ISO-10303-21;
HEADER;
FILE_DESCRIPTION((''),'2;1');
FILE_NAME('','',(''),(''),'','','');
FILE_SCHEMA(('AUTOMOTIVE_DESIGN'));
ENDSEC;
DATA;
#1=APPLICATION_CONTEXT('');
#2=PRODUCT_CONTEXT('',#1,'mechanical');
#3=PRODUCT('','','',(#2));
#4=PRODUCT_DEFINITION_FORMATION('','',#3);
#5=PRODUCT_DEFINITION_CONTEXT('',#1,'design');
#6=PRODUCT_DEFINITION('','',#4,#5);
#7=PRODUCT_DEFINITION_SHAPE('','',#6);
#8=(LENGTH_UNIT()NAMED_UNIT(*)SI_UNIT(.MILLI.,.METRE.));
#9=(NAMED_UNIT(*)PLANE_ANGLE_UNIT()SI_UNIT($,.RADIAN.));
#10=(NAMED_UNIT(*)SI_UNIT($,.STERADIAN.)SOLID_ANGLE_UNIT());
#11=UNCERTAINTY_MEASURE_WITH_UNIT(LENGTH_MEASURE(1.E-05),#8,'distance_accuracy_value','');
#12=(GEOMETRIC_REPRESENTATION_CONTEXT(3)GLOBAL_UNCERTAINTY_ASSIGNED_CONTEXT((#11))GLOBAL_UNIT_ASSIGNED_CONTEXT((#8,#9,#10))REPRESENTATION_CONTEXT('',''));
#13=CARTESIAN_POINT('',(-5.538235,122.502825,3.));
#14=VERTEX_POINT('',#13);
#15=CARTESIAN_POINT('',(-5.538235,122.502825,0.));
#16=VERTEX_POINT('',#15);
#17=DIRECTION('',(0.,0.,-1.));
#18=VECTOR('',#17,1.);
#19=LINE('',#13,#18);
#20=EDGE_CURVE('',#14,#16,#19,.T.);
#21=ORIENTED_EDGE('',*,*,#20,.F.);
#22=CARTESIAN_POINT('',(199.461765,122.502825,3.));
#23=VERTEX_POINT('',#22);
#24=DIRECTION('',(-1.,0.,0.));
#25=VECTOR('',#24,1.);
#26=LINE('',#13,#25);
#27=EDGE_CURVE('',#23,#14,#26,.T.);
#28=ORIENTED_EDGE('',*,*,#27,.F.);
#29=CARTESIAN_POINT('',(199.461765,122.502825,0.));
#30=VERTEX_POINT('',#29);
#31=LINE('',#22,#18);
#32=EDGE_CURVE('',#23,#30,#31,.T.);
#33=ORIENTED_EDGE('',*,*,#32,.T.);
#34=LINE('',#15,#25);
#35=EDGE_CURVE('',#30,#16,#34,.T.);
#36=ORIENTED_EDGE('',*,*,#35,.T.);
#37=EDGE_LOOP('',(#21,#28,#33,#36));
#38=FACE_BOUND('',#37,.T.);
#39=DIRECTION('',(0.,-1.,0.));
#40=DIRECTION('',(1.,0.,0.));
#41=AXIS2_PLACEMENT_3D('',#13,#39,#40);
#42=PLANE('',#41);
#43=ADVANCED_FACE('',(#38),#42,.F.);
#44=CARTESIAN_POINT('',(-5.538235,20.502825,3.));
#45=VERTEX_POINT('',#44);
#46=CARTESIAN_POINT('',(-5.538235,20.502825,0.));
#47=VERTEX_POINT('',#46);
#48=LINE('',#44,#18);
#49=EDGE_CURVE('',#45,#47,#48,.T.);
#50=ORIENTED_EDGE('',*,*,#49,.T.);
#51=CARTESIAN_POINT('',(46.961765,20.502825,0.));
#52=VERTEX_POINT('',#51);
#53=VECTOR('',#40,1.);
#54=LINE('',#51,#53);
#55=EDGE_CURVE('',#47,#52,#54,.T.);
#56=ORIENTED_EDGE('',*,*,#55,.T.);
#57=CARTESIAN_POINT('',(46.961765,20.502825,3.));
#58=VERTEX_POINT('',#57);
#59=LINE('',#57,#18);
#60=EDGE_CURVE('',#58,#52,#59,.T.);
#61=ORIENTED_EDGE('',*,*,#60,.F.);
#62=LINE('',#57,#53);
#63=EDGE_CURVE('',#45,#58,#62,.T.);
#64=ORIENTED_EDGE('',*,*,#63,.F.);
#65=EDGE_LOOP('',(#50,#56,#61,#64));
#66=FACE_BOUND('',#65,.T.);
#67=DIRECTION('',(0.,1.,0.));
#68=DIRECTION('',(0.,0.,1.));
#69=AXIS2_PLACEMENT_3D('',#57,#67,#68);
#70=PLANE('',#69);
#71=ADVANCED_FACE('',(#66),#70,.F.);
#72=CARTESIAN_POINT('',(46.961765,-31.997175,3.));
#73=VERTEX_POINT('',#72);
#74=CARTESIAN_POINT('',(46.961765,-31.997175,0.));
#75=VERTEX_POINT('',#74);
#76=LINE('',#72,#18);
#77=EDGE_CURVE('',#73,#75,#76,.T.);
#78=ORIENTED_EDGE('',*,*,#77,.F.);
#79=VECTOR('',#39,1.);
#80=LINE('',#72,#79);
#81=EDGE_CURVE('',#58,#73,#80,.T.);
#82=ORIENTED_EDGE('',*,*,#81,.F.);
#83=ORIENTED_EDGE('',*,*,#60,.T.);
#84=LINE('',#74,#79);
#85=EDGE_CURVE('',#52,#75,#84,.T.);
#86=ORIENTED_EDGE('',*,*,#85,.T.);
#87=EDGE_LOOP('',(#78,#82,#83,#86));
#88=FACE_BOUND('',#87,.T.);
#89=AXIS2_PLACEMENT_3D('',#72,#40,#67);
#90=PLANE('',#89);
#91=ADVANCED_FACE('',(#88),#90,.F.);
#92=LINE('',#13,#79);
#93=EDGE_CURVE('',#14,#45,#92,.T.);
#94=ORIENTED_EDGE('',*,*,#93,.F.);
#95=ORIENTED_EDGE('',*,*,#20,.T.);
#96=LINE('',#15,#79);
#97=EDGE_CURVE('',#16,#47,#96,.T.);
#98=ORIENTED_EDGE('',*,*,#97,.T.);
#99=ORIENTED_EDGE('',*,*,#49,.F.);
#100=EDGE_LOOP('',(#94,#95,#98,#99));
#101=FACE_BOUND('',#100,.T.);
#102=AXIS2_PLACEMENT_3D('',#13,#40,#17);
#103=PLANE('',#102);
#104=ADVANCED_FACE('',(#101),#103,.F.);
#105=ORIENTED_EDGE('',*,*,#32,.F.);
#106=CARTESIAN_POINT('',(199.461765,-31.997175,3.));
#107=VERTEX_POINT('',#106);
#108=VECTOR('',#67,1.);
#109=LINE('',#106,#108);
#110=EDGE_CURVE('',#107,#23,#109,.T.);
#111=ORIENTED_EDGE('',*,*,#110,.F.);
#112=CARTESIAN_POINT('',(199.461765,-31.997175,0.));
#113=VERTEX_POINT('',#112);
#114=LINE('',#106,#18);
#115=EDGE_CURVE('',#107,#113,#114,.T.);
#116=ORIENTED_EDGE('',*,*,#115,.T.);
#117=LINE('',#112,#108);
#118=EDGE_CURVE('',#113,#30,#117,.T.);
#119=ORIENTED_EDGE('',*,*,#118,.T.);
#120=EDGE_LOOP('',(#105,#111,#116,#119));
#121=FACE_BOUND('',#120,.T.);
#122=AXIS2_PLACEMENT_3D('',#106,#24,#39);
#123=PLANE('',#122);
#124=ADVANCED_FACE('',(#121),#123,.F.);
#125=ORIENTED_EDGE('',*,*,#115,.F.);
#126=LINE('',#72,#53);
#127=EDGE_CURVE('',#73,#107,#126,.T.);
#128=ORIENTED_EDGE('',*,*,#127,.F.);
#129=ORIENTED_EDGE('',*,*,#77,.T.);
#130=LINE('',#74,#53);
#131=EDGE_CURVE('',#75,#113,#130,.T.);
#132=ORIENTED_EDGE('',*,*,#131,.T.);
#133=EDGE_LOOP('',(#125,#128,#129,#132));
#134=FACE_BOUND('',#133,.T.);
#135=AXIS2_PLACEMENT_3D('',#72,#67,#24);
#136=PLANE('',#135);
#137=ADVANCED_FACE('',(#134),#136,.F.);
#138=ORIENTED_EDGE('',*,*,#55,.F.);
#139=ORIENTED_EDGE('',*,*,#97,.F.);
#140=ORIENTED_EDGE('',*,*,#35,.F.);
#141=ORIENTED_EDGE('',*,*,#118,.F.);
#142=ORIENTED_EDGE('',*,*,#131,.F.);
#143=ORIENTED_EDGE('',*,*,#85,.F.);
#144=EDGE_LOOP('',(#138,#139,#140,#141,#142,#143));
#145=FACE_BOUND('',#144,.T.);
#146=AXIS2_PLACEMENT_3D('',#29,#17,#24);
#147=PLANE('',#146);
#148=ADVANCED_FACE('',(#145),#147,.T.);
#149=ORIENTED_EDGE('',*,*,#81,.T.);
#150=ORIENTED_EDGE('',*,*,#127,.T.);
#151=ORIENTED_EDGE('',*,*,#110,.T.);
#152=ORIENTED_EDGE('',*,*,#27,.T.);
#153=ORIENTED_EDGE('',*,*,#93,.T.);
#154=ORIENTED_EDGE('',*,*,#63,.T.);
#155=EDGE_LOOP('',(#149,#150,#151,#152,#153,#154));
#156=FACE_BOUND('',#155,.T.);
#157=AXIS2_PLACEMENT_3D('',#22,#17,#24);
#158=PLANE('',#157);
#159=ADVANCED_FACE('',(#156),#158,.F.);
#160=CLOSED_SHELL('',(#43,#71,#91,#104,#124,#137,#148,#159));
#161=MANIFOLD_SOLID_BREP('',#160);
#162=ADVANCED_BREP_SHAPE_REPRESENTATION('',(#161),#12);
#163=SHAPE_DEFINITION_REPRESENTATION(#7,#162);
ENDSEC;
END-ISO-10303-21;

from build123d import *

# Parameters (mm, degrees)
BOSS_EXTRU_1_DEPTH = 3


with BuildPart() as part:
    # Esquisse1 → Boss.-Extru.1 (new body)
    with BuildSketch(Plane.XY):
        Polygon((46.961764933, -31.997174942), (46.961764933, 20.502825058), (-5.538235067, 20.502825058), (-5.538235067, 122.502825058), (199.461764933, 122.502825058), (199.461764933, -31.997174942), align=None)
    extrude(amount=BOSS_EXTRU_1_DEPTH)


solid = part.part
